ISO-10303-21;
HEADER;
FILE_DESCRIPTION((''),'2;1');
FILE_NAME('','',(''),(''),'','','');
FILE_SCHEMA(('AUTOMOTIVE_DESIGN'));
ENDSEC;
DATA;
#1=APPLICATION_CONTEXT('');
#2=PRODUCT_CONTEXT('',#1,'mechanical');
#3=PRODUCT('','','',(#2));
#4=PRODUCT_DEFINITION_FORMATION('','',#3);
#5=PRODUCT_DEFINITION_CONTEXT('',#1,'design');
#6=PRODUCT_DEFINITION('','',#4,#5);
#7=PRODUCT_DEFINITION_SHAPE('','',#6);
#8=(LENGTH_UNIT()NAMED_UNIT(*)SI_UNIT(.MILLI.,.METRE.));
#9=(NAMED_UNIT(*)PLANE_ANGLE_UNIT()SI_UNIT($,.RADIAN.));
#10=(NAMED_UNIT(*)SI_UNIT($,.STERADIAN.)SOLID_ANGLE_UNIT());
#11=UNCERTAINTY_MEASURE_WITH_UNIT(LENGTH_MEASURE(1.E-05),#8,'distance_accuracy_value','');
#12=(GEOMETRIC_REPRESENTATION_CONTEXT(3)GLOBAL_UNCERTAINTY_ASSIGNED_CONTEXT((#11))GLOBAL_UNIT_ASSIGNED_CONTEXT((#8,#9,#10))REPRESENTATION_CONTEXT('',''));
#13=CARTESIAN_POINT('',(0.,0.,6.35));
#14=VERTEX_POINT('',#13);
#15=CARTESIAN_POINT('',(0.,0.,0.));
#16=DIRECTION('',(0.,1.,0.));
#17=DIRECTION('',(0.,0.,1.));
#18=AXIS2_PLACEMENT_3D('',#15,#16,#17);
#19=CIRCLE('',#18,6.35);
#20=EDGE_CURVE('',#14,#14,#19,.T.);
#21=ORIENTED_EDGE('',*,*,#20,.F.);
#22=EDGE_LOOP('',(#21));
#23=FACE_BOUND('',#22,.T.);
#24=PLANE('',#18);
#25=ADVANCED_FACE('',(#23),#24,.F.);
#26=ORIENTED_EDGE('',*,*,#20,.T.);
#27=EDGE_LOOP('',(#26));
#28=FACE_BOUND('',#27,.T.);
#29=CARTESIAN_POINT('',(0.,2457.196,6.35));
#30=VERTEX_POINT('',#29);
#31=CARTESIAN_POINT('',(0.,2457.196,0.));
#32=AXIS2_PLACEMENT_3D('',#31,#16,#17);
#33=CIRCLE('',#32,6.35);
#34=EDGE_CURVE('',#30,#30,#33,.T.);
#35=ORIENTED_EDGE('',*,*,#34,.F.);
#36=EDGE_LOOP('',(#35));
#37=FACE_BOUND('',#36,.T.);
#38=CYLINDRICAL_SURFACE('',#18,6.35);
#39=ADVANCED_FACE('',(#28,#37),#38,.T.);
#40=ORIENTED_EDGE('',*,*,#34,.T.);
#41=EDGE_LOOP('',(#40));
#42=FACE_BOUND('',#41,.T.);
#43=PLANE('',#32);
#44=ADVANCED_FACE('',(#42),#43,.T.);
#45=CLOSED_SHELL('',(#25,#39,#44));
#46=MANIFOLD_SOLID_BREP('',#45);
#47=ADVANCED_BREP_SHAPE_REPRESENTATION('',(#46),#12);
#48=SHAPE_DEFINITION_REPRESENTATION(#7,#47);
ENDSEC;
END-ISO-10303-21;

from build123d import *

# Parameters (mm, degrees)
SWEEP1_PROFILE_R = 6.35


with BuildPart() as part:
    # Sweep1: sweep along a path in Sketch1
    with BuildLine(Plane.XY) as sweep1_path:
        Line((0, 0), (0, 2457.196))
    # Sweep1 profile (on start of the path) → Sweep1 (sweep)
    with BuildSketch(Plane.ZX):
        Circle(SWEEP1_PROFILE_R)
    sweep(path=sweep1_path.line)


solid = part.part
